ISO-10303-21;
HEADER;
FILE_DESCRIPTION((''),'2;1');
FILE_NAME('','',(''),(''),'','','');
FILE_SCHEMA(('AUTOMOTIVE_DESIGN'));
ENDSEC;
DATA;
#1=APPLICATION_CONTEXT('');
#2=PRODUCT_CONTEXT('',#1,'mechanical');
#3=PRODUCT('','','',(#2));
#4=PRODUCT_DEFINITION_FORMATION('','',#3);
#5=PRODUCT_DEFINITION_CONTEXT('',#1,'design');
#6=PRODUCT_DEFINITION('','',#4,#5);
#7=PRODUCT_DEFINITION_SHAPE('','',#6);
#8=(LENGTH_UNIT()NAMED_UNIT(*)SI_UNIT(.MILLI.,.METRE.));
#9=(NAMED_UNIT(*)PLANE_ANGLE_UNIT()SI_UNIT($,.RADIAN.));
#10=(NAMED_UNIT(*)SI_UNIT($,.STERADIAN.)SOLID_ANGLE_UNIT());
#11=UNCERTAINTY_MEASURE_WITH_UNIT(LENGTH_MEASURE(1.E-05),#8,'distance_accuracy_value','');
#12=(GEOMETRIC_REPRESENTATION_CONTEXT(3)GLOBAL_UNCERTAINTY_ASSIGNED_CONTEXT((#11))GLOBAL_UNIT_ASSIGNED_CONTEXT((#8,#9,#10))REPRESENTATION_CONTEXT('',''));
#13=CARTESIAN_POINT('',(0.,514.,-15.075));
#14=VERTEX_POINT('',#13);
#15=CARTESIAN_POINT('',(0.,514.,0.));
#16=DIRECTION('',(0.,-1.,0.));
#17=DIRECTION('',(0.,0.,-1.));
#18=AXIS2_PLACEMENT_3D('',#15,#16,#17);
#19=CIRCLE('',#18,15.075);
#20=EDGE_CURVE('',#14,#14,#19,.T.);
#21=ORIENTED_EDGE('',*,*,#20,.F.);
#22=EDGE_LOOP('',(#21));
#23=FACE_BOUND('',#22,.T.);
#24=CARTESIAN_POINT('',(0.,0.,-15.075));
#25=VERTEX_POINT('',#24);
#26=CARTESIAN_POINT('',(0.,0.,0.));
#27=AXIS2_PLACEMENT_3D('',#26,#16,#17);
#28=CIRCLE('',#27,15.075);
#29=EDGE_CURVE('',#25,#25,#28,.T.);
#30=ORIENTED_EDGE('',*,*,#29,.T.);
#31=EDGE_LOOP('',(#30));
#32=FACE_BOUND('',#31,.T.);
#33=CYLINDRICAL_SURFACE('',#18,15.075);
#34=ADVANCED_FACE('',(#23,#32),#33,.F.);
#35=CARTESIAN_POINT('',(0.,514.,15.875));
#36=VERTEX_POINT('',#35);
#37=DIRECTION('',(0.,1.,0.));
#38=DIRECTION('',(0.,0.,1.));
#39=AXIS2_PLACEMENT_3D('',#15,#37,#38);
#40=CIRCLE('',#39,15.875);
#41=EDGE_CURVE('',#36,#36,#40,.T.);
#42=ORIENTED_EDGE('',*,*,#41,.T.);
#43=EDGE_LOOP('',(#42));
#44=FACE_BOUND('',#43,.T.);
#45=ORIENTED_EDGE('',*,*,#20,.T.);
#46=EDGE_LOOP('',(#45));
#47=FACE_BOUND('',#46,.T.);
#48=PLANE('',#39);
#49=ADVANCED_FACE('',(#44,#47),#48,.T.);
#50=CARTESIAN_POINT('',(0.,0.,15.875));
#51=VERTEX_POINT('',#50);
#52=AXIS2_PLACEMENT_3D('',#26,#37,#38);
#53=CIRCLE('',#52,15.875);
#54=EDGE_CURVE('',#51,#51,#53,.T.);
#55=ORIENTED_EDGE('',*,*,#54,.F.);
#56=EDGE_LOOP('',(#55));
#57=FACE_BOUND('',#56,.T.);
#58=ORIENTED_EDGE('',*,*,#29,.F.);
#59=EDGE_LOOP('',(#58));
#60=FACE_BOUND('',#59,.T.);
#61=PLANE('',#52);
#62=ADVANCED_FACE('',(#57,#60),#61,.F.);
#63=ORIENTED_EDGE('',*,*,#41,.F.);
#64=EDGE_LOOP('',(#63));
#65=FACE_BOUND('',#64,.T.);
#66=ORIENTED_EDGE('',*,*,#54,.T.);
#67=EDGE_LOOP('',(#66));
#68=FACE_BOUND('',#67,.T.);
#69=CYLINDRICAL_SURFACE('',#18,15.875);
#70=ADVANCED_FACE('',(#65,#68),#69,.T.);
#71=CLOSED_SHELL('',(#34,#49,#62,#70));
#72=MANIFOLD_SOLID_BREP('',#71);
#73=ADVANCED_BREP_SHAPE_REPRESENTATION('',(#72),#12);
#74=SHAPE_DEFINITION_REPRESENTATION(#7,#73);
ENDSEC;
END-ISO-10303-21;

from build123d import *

# Parameters (mm, degrees)
SKETCH1_R           = 15.875
BOSS_EXTRUDE1_DEPTH = 514
SKETCH2_R           = 15.075
CUT_EXTRUDE1_DEPTH  = 515.490069146


with BuildPart() as part:
    # Sketch1 → Boss-Extrude1 (new body)
    with BuildSketch(Plane(origin=(0, 0, 0), x_dir=(1, 0, 0), z_dir=(0, 1, 0))):
        with Locations(Location((0, 0, 0), (0, 0, 270))):
            Circle(SKETCH1_R)
    extrude(amount=BOSS_EXTRUDE1_DEPTH)

    # Sketch2 → Cut-Extrude1 (cut, through all)
    with BuildSketch(Plane.XZ):
        with Locations(Location((0, 0, 0), (0, 0, 270))):
            Circle(SKETCH2_R)
    extrude(amount=-CUT_EXTRUDE1_DEPTH, mode=Mode.SUBTRACT)


solid = part.part
